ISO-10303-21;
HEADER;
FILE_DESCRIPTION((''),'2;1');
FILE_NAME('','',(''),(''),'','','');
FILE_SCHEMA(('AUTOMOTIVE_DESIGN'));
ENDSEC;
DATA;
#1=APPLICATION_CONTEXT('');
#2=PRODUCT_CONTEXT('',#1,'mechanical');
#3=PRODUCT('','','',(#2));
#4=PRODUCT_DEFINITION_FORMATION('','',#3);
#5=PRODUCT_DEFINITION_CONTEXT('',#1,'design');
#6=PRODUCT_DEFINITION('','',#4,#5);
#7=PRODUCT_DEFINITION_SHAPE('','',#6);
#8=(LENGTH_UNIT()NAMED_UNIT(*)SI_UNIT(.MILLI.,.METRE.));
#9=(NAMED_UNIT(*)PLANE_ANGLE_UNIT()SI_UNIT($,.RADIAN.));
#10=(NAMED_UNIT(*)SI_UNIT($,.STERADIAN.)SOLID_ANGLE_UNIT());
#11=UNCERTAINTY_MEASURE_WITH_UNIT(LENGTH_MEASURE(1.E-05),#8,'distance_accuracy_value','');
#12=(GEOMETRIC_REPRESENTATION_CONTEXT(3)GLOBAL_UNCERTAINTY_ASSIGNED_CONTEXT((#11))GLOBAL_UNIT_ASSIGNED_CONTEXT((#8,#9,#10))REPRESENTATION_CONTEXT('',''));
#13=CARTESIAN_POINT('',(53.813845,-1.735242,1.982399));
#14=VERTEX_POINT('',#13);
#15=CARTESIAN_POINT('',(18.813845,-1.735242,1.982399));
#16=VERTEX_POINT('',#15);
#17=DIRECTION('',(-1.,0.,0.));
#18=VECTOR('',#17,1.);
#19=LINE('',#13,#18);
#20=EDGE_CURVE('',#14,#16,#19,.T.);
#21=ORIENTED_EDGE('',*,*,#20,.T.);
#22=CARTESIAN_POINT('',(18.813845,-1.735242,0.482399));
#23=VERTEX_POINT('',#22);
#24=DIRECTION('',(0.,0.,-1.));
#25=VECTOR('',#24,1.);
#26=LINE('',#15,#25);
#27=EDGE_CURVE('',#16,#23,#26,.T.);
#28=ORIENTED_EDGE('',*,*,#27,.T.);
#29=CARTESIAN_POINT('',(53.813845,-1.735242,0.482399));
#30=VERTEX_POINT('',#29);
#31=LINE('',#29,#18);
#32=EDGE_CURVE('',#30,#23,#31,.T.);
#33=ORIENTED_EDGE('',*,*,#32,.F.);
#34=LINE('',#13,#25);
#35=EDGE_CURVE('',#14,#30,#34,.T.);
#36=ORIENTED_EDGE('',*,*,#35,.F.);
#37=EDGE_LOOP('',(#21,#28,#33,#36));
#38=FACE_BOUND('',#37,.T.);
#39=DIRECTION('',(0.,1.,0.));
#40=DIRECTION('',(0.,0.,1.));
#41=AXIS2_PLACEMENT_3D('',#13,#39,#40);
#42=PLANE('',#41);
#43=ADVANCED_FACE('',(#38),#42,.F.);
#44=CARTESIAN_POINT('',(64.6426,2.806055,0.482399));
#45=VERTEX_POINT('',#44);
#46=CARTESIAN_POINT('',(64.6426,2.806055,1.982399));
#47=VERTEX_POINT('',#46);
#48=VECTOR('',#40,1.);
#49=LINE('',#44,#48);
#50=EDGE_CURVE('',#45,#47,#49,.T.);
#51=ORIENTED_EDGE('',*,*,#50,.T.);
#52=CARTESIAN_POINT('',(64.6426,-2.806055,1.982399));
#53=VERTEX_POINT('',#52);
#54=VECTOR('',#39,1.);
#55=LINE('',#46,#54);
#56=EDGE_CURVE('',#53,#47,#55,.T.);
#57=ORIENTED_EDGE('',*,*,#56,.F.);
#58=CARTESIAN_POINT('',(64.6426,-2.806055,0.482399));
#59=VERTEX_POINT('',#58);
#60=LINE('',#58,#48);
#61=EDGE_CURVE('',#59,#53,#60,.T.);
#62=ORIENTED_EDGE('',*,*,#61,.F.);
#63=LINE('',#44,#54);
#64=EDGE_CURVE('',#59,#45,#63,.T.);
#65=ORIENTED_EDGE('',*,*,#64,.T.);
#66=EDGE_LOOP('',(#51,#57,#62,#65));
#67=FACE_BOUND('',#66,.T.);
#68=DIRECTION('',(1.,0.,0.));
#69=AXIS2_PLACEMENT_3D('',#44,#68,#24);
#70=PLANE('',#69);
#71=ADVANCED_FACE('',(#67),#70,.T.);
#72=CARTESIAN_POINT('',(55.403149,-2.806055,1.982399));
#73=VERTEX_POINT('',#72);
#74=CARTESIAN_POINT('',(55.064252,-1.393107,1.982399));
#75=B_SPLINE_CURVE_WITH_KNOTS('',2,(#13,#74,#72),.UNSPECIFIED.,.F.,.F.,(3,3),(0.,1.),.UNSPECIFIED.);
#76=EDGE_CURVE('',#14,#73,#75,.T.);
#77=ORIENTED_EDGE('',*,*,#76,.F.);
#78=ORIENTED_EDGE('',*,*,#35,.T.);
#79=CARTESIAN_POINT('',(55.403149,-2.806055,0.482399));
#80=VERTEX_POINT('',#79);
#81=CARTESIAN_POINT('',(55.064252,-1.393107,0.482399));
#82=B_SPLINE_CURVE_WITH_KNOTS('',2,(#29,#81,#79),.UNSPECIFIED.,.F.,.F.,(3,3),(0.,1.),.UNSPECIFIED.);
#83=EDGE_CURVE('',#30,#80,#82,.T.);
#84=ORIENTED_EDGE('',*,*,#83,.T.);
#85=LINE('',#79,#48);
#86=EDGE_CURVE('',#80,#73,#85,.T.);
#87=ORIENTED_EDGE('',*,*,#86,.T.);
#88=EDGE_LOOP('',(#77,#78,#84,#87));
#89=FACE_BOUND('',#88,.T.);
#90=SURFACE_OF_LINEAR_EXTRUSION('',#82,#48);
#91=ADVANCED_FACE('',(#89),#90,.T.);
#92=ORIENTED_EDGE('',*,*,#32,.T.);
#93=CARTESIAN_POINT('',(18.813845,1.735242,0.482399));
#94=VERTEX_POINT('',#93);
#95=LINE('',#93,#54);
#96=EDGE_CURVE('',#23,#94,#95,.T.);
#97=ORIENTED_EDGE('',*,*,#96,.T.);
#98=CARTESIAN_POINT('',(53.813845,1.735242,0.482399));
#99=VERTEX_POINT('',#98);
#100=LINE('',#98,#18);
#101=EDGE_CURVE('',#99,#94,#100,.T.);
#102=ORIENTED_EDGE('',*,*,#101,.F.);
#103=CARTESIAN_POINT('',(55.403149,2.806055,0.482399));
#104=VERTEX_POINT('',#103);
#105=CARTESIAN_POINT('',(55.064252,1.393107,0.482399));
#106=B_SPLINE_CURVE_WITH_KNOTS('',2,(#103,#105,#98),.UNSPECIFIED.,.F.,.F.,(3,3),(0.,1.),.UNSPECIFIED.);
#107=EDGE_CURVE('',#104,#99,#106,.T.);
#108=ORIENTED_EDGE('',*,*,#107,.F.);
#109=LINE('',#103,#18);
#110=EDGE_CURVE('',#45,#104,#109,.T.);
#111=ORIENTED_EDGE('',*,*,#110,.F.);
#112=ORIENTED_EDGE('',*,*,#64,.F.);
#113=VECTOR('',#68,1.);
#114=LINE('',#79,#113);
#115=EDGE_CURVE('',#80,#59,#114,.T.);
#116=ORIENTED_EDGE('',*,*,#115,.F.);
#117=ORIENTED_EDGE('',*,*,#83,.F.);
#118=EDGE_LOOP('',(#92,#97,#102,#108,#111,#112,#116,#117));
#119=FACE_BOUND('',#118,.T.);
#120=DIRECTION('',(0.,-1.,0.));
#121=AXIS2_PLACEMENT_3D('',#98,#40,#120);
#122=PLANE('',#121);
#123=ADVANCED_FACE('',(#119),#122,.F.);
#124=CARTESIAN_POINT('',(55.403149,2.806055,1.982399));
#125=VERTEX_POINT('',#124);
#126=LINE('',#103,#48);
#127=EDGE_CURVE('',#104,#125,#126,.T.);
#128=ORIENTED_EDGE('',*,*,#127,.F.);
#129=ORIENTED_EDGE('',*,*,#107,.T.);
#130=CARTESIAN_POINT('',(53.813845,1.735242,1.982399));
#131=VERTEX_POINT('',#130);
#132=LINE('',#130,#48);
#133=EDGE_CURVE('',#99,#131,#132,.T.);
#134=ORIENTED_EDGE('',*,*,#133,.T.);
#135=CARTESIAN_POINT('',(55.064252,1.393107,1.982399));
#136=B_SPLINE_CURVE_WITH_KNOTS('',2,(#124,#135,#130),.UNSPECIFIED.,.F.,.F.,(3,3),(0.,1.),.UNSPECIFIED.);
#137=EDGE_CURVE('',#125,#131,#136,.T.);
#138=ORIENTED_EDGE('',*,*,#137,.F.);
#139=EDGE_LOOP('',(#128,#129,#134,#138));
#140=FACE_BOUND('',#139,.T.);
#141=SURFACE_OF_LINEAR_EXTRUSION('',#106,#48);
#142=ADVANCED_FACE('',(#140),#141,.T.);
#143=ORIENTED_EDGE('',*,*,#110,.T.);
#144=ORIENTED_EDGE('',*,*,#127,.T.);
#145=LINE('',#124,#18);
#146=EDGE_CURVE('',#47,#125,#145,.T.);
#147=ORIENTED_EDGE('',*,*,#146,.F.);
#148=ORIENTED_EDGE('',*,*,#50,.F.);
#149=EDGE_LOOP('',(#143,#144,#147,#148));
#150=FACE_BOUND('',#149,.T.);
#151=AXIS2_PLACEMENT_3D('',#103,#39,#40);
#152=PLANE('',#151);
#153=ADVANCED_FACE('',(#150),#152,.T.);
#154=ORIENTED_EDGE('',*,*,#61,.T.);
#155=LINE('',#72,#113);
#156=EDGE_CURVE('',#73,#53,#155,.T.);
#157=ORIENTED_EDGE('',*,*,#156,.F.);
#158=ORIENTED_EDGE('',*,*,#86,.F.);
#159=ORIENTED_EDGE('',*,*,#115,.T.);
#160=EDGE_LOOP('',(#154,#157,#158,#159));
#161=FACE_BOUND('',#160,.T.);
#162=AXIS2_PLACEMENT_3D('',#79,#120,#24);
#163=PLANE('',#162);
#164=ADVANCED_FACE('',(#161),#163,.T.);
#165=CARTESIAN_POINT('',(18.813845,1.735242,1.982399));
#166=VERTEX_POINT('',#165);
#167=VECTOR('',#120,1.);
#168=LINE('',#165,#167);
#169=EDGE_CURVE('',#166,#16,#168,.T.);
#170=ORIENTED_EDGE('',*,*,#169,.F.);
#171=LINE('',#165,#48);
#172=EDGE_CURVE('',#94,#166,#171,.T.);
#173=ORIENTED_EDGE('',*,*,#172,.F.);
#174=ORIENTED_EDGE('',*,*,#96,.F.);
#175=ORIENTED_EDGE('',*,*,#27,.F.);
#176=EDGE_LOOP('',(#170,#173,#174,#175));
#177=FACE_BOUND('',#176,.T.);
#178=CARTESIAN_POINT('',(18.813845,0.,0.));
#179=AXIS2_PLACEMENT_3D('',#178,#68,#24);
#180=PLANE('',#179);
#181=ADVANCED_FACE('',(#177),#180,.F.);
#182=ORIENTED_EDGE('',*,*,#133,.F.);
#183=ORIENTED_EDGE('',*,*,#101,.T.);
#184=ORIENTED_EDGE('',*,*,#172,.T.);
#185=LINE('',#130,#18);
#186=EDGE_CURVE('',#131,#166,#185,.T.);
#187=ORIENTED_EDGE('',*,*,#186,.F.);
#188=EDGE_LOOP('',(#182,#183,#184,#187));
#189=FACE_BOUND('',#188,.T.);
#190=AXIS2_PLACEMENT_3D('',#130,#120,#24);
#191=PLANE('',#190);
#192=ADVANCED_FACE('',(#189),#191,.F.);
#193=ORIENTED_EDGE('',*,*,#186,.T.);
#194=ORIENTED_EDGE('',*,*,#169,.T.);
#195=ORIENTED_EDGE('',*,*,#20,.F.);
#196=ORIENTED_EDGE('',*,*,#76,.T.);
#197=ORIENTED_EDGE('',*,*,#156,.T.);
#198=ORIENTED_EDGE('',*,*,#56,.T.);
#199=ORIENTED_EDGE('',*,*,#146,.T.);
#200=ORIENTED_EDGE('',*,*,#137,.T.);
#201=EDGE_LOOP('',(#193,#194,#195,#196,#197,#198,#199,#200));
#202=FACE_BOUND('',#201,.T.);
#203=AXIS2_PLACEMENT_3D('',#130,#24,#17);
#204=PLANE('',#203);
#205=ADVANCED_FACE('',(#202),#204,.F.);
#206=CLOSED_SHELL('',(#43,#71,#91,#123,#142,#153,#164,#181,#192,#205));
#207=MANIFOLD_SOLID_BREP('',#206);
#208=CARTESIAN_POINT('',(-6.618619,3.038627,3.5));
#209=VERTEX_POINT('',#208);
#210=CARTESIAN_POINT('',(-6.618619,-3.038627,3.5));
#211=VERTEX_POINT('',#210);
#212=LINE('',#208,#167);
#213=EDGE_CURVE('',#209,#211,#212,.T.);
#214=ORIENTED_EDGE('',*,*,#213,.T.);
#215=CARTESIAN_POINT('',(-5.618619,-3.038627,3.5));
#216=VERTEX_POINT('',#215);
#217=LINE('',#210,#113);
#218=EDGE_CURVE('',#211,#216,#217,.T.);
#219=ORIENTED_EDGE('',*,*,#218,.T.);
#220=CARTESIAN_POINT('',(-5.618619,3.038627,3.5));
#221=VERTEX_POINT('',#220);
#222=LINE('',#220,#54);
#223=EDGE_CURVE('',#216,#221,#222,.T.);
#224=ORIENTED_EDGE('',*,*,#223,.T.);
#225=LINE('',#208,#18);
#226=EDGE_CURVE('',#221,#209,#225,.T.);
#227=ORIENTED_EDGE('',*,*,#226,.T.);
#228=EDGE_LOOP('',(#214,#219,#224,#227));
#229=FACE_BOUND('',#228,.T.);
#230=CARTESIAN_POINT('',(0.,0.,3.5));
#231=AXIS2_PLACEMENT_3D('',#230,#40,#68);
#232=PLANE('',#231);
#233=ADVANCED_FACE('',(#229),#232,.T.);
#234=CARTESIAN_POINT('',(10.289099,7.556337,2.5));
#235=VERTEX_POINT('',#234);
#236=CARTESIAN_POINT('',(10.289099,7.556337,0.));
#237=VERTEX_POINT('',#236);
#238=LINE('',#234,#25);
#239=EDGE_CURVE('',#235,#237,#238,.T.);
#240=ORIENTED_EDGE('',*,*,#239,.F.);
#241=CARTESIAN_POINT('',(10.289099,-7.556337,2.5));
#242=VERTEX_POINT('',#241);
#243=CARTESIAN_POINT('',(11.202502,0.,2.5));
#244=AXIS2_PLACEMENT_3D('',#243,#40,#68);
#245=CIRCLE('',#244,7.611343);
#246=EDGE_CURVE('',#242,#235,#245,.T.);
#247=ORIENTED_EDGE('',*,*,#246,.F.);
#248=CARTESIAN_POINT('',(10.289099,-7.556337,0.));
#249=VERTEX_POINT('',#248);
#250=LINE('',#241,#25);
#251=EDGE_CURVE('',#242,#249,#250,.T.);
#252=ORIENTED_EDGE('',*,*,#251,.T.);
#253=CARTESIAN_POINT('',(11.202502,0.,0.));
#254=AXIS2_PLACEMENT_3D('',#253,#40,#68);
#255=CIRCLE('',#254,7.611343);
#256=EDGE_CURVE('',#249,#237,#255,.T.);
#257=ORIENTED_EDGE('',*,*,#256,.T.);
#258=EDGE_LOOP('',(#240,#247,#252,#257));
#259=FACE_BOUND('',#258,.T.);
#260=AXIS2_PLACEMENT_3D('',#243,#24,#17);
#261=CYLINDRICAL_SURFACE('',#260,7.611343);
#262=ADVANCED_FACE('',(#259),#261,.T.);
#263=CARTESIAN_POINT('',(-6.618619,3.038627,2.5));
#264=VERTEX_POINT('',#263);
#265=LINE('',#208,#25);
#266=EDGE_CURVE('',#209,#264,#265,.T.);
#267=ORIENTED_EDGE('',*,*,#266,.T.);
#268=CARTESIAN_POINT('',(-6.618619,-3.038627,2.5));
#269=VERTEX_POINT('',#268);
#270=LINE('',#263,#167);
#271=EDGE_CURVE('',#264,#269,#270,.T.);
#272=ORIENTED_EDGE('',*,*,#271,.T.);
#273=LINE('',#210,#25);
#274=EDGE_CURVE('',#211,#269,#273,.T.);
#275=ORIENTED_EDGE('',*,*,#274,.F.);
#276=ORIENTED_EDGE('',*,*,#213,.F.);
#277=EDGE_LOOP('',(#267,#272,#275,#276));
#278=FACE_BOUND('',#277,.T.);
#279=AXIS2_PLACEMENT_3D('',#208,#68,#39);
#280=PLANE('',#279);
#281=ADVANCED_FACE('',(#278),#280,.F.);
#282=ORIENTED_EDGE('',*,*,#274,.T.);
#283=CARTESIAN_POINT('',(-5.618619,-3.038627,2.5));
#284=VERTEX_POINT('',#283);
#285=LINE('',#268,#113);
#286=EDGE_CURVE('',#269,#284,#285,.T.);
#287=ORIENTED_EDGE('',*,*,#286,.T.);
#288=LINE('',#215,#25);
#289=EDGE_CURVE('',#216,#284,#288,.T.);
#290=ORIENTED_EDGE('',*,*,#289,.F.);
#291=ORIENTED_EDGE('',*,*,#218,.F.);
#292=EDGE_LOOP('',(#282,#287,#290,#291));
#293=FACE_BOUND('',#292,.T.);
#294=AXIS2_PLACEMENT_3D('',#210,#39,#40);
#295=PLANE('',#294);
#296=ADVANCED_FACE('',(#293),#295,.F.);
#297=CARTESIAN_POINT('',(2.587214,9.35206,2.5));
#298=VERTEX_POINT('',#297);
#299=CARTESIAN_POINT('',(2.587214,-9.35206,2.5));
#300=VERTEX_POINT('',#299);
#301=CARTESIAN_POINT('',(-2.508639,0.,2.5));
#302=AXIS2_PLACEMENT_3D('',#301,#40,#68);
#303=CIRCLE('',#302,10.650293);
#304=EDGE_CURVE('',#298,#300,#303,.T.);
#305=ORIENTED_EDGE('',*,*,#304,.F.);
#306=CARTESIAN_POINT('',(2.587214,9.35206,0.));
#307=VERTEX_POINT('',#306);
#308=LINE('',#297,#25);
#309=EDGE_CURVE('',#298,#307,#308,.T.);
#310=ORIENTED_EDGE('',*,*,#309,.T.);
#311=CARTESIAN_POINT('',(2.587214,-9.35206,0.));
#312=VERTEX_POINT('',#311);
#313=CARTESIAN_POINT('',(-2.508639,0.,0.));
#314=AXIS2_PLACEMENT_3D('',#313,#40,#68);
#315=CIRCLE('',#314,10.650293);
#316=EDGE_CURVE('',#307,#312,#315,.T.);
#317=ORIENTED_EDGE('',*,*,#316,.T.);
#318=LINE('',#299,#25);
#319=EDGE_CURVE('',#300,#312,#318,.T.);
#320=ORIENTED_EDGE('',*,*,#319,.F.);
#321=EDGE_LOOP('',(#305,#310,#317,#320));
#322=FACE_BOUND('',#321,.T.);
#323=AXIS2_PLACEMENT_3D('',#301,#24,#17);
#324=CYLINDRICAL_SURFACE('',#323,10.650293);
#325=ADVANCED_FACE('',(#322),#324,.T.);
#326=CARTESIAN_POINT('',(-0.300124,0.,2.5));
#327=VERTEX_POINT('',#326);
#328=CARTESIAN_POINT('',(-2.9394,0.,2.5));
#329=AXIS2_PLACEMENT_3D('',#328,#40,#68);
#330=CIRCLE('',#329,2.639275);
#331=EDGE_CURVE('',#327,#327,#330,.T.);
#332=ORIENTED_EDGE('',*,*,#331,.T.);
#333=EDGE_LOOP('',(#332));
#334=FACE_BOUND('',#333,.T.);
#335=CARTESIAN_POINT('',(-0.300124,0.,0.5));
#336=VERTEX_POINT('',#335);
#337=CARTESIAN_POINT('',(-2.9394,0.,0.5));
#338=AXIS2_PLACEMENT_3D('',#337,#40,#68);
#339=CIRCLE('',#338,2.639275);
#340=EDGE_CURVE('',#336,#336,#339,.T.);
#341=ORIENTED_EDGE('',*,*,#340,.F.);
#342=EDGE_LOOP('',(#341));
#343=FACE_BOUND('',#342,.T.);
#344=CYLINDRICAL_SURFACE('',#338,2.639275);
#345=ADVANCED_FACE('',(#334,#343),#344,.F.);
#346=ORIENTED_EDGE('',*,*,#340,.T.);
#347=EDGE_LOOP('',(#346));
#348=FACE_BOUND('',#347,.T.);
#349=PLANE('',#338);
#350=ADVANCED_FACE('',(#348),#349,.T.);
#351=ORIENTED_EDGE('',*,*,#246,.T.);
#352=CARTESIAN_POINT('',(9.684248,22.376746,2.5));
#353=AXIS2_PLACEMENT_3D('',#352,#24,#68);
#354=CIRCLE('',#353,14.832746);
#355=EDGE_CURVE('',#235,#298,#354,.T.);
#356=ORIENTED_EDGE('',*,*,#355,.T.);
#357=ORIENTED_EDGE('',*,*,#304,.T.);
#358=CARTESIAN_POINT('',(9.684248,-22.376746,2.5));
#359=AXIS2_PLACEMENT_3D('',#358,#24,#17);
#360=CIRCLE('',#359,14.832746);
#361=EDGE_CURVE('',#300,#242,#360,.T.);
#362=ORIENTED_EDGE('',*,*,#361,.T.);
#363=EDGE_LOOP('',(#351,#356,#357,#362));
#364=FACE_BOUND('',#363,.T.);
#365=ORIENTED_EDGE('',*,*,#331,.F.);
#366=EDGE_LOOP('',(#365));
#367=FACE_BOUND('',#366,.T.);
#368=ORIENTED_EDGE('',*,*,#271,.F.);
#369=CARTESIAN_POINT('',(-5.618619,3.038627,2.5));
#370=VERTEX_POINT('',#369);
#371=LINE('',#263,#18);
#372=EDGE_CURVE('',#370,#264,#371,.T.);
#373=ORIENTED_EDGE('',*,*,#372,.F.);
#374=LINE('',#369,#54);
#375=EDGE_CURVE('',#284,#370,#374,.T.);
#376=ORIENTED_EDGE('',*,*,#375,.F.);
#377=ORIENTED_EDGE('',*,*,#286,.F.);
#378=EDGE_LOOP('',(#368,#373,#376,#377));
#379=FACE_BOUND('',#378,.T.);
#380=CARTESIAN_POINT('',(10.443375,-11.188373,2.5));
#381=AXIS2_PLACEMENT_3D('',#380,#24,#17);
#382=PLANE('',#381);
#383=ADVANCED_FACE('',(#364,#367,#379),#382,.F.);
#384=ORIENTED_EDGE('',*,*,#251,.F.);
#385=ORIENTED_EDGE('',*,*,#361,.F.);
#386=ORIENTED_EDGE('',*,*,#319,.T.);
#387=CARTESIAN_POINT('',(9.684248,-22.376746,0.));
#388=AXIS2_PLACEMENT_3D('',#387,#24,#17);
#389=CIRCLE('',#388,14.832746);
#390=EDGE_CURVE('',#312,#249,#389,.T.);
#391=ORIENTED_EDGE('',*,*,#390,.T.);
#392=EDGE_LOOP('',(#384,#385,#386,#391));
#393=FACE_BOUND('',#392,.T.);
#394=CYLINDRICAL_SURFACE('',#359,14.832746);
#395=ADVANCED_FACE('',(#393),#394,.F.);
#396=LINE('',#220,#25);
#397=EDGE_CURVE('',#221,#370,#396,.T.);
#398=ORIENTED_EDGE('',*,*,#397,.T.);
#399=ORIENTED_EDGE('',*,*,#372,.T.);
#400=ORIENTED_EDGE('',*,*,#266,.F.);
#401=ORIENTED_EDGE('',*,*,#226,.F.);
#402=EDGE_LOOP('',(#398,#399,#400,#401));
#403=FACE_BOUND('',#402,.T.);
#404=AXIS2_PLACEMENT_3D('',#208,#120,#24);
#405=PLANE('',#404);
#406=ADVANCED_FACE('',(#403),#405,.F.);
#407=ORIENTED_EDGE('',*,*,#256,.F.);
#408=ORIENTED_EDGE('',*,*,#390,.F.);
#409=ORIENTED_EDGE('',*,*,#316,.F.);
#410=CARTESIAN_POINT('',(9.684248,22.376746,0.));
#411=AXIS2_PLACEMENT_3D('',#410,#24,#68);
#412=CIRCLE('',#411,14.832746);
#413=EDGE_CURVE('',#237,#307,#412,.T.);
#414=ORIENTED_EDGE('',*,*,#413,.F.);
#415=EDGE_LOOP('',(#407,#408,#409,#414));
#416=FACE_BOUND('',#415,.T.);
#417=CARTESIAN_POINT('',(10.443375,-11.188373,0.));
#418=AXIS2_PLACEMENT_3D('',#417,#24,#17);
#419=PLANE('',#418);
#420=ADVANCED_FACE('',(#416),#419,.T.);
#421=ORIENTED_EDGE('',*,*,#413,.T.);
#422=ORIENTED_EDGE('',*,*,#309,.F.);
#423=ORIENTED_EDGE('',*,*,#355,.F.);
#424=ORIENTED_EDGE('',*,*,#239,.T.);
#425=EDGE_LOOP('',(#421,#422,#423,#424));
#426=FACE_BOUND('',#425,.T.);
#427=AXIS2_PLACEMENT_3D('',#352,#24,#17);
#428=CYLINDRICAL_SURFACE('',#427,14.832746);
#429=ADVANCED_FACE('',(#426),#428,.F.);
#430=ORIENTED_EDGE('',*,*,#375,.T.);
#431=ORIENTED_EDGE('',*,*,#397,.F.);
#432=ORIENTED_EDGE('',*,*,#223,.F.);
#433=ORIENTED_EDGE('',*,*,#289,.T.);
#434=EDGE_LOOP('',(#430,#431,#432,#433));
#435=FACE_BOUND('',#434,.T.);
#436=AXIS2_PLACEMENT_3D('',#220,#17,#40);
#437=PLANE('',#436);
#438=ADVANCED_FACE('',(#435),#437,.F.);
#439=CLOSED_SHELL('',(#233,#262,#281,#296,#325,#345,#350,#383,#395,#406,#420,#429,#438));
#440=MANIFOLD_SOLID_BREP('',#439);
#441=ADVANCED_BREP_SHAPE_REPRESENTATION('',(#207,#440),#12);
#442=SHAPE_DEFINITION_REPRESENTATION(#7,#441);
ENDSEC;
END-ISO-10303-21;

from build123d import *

# Parameters (mm, degrees)
BOSS_EXTRUDE1_DEPTH = 5
SKETCH2_R           = 5.278550586
CUT_EXTRUDE1_DEPTH  = 4
SKETCH3_W           = 2
SKETCH3_H           = 12.154507728
BOSS_EXTRUDE2_DEPTH = 2
SKETCH4_W           = 3
SKETCH4_H           = 6.940968586
BOSS_EXTRUDE3_DEPTH = 70
BOSS_EXTRUDE4_DEPTH = 3
SCALE4_SCALE        = 0.5


with BuildPart() as part:
    # Sketch1 → Boss-Extrude1 (new body)
    with BuildSketch(Plane.XY):
        with BuildLine():
            ThreePointArc((5.174427841, 18.704119042), (-26.317863295, 0), (5.174427841, -18.704119042))
            ThreePointArc((5.174427841, -18.704119042), (12.632543097, -15.862864713), (20.57819755, -15.112674975))
            ThreePointArc((20.57819755, -15.112674975), (37.627690387, 0), (20.57819755, 15.112674975))
            ThreePointArc((20.57819755, 15.112674975), (12.632543097, 15.862864713), (5.174427841, 18.704119042))
        make_face()
    extrude(amount=BOSS_EXTRUDE1_DEPTH)

    # Sketch2 → Cut-Extrude1 (cut)
    with BuildSketch(Plane.XY.offset(5)):
        with Locations((-5.878799432, 0)):
            Circle(SKETCH2_R)
    extrude(amount=-CUT_EXTRUDE1_DEPTH, mode=Mode.SUBTRACT)

    # Sketch3 → Boss-Extrude2 (add)
    with BuildSketch(Plane.XY.offset(5)):
        with Locations((-12.237238322, 0)):
            Rectangle(SKETCH3_W, SKETCH3_H)
    extrude(amount=BOSS_EXTRUDE2_DEPTH)


with BuildPart() as body_2:
    # Sketch4 → Boss-Extrude3 (new body)
    with BuildSketch(Plane(origin=(37.627690387, 0, 0), x_dir=(0, 0, -1), z_dir=(1, 0, 0))):
        with Locations((-2.464797003, 0)):
            Rectangle(SKETCH4_W, SKETCH4_H)
    extrude(amount=BOSS_EXTRUDE3_DEPTH)

    # Sketch5 → Boss-Extrude4 (add)
    with BuildSketch(Plane.XY.offset(3.964797003)):
        with BuildLine():
            Line((110.806298468, 5.612110794), (129.285199862, 5.612110794))
            Line((129.285199862, 5.612110794), (129.285199862, -5.612110794))
            Line((129.285199862, -5.612110794), (110.806298468, -5.612110794))
            add(Edge.make_bspline(
                [(107.627690387, -3.470484293), (110.128503365, -2.786214219), (110.806298468, -5.612110794)],
                knots=[0, 0, 0, 1, 1, 1], degree=2))
            Line((107.627690387, -3.470484293), (107.627690387, 3.470484293))
            add(Edge.make_bspline(
                [(107.627690387, 3.470484293), (110.128503365, 2.786214219), (110.806298468, 5.612110794)],
                knots=[0, 0, 0, 1, 1, 1], degree=2))
        make_face()
    extrude(amount=-BOSS_EXTRUDE4_DEPTH)


with BuildPart() as part_1:
    # Scale4: scaled about (0, 0, 0)
    add(part.part.scale(SCALE4_SCALE))


with BuildPart() as body_2_1:
    # Scale4: scaled about (0, 0, 0)
    add(body_2.part.scale(SCALE4_SCALE))


solid = Compound([part_1.part, body_2_1.part])
